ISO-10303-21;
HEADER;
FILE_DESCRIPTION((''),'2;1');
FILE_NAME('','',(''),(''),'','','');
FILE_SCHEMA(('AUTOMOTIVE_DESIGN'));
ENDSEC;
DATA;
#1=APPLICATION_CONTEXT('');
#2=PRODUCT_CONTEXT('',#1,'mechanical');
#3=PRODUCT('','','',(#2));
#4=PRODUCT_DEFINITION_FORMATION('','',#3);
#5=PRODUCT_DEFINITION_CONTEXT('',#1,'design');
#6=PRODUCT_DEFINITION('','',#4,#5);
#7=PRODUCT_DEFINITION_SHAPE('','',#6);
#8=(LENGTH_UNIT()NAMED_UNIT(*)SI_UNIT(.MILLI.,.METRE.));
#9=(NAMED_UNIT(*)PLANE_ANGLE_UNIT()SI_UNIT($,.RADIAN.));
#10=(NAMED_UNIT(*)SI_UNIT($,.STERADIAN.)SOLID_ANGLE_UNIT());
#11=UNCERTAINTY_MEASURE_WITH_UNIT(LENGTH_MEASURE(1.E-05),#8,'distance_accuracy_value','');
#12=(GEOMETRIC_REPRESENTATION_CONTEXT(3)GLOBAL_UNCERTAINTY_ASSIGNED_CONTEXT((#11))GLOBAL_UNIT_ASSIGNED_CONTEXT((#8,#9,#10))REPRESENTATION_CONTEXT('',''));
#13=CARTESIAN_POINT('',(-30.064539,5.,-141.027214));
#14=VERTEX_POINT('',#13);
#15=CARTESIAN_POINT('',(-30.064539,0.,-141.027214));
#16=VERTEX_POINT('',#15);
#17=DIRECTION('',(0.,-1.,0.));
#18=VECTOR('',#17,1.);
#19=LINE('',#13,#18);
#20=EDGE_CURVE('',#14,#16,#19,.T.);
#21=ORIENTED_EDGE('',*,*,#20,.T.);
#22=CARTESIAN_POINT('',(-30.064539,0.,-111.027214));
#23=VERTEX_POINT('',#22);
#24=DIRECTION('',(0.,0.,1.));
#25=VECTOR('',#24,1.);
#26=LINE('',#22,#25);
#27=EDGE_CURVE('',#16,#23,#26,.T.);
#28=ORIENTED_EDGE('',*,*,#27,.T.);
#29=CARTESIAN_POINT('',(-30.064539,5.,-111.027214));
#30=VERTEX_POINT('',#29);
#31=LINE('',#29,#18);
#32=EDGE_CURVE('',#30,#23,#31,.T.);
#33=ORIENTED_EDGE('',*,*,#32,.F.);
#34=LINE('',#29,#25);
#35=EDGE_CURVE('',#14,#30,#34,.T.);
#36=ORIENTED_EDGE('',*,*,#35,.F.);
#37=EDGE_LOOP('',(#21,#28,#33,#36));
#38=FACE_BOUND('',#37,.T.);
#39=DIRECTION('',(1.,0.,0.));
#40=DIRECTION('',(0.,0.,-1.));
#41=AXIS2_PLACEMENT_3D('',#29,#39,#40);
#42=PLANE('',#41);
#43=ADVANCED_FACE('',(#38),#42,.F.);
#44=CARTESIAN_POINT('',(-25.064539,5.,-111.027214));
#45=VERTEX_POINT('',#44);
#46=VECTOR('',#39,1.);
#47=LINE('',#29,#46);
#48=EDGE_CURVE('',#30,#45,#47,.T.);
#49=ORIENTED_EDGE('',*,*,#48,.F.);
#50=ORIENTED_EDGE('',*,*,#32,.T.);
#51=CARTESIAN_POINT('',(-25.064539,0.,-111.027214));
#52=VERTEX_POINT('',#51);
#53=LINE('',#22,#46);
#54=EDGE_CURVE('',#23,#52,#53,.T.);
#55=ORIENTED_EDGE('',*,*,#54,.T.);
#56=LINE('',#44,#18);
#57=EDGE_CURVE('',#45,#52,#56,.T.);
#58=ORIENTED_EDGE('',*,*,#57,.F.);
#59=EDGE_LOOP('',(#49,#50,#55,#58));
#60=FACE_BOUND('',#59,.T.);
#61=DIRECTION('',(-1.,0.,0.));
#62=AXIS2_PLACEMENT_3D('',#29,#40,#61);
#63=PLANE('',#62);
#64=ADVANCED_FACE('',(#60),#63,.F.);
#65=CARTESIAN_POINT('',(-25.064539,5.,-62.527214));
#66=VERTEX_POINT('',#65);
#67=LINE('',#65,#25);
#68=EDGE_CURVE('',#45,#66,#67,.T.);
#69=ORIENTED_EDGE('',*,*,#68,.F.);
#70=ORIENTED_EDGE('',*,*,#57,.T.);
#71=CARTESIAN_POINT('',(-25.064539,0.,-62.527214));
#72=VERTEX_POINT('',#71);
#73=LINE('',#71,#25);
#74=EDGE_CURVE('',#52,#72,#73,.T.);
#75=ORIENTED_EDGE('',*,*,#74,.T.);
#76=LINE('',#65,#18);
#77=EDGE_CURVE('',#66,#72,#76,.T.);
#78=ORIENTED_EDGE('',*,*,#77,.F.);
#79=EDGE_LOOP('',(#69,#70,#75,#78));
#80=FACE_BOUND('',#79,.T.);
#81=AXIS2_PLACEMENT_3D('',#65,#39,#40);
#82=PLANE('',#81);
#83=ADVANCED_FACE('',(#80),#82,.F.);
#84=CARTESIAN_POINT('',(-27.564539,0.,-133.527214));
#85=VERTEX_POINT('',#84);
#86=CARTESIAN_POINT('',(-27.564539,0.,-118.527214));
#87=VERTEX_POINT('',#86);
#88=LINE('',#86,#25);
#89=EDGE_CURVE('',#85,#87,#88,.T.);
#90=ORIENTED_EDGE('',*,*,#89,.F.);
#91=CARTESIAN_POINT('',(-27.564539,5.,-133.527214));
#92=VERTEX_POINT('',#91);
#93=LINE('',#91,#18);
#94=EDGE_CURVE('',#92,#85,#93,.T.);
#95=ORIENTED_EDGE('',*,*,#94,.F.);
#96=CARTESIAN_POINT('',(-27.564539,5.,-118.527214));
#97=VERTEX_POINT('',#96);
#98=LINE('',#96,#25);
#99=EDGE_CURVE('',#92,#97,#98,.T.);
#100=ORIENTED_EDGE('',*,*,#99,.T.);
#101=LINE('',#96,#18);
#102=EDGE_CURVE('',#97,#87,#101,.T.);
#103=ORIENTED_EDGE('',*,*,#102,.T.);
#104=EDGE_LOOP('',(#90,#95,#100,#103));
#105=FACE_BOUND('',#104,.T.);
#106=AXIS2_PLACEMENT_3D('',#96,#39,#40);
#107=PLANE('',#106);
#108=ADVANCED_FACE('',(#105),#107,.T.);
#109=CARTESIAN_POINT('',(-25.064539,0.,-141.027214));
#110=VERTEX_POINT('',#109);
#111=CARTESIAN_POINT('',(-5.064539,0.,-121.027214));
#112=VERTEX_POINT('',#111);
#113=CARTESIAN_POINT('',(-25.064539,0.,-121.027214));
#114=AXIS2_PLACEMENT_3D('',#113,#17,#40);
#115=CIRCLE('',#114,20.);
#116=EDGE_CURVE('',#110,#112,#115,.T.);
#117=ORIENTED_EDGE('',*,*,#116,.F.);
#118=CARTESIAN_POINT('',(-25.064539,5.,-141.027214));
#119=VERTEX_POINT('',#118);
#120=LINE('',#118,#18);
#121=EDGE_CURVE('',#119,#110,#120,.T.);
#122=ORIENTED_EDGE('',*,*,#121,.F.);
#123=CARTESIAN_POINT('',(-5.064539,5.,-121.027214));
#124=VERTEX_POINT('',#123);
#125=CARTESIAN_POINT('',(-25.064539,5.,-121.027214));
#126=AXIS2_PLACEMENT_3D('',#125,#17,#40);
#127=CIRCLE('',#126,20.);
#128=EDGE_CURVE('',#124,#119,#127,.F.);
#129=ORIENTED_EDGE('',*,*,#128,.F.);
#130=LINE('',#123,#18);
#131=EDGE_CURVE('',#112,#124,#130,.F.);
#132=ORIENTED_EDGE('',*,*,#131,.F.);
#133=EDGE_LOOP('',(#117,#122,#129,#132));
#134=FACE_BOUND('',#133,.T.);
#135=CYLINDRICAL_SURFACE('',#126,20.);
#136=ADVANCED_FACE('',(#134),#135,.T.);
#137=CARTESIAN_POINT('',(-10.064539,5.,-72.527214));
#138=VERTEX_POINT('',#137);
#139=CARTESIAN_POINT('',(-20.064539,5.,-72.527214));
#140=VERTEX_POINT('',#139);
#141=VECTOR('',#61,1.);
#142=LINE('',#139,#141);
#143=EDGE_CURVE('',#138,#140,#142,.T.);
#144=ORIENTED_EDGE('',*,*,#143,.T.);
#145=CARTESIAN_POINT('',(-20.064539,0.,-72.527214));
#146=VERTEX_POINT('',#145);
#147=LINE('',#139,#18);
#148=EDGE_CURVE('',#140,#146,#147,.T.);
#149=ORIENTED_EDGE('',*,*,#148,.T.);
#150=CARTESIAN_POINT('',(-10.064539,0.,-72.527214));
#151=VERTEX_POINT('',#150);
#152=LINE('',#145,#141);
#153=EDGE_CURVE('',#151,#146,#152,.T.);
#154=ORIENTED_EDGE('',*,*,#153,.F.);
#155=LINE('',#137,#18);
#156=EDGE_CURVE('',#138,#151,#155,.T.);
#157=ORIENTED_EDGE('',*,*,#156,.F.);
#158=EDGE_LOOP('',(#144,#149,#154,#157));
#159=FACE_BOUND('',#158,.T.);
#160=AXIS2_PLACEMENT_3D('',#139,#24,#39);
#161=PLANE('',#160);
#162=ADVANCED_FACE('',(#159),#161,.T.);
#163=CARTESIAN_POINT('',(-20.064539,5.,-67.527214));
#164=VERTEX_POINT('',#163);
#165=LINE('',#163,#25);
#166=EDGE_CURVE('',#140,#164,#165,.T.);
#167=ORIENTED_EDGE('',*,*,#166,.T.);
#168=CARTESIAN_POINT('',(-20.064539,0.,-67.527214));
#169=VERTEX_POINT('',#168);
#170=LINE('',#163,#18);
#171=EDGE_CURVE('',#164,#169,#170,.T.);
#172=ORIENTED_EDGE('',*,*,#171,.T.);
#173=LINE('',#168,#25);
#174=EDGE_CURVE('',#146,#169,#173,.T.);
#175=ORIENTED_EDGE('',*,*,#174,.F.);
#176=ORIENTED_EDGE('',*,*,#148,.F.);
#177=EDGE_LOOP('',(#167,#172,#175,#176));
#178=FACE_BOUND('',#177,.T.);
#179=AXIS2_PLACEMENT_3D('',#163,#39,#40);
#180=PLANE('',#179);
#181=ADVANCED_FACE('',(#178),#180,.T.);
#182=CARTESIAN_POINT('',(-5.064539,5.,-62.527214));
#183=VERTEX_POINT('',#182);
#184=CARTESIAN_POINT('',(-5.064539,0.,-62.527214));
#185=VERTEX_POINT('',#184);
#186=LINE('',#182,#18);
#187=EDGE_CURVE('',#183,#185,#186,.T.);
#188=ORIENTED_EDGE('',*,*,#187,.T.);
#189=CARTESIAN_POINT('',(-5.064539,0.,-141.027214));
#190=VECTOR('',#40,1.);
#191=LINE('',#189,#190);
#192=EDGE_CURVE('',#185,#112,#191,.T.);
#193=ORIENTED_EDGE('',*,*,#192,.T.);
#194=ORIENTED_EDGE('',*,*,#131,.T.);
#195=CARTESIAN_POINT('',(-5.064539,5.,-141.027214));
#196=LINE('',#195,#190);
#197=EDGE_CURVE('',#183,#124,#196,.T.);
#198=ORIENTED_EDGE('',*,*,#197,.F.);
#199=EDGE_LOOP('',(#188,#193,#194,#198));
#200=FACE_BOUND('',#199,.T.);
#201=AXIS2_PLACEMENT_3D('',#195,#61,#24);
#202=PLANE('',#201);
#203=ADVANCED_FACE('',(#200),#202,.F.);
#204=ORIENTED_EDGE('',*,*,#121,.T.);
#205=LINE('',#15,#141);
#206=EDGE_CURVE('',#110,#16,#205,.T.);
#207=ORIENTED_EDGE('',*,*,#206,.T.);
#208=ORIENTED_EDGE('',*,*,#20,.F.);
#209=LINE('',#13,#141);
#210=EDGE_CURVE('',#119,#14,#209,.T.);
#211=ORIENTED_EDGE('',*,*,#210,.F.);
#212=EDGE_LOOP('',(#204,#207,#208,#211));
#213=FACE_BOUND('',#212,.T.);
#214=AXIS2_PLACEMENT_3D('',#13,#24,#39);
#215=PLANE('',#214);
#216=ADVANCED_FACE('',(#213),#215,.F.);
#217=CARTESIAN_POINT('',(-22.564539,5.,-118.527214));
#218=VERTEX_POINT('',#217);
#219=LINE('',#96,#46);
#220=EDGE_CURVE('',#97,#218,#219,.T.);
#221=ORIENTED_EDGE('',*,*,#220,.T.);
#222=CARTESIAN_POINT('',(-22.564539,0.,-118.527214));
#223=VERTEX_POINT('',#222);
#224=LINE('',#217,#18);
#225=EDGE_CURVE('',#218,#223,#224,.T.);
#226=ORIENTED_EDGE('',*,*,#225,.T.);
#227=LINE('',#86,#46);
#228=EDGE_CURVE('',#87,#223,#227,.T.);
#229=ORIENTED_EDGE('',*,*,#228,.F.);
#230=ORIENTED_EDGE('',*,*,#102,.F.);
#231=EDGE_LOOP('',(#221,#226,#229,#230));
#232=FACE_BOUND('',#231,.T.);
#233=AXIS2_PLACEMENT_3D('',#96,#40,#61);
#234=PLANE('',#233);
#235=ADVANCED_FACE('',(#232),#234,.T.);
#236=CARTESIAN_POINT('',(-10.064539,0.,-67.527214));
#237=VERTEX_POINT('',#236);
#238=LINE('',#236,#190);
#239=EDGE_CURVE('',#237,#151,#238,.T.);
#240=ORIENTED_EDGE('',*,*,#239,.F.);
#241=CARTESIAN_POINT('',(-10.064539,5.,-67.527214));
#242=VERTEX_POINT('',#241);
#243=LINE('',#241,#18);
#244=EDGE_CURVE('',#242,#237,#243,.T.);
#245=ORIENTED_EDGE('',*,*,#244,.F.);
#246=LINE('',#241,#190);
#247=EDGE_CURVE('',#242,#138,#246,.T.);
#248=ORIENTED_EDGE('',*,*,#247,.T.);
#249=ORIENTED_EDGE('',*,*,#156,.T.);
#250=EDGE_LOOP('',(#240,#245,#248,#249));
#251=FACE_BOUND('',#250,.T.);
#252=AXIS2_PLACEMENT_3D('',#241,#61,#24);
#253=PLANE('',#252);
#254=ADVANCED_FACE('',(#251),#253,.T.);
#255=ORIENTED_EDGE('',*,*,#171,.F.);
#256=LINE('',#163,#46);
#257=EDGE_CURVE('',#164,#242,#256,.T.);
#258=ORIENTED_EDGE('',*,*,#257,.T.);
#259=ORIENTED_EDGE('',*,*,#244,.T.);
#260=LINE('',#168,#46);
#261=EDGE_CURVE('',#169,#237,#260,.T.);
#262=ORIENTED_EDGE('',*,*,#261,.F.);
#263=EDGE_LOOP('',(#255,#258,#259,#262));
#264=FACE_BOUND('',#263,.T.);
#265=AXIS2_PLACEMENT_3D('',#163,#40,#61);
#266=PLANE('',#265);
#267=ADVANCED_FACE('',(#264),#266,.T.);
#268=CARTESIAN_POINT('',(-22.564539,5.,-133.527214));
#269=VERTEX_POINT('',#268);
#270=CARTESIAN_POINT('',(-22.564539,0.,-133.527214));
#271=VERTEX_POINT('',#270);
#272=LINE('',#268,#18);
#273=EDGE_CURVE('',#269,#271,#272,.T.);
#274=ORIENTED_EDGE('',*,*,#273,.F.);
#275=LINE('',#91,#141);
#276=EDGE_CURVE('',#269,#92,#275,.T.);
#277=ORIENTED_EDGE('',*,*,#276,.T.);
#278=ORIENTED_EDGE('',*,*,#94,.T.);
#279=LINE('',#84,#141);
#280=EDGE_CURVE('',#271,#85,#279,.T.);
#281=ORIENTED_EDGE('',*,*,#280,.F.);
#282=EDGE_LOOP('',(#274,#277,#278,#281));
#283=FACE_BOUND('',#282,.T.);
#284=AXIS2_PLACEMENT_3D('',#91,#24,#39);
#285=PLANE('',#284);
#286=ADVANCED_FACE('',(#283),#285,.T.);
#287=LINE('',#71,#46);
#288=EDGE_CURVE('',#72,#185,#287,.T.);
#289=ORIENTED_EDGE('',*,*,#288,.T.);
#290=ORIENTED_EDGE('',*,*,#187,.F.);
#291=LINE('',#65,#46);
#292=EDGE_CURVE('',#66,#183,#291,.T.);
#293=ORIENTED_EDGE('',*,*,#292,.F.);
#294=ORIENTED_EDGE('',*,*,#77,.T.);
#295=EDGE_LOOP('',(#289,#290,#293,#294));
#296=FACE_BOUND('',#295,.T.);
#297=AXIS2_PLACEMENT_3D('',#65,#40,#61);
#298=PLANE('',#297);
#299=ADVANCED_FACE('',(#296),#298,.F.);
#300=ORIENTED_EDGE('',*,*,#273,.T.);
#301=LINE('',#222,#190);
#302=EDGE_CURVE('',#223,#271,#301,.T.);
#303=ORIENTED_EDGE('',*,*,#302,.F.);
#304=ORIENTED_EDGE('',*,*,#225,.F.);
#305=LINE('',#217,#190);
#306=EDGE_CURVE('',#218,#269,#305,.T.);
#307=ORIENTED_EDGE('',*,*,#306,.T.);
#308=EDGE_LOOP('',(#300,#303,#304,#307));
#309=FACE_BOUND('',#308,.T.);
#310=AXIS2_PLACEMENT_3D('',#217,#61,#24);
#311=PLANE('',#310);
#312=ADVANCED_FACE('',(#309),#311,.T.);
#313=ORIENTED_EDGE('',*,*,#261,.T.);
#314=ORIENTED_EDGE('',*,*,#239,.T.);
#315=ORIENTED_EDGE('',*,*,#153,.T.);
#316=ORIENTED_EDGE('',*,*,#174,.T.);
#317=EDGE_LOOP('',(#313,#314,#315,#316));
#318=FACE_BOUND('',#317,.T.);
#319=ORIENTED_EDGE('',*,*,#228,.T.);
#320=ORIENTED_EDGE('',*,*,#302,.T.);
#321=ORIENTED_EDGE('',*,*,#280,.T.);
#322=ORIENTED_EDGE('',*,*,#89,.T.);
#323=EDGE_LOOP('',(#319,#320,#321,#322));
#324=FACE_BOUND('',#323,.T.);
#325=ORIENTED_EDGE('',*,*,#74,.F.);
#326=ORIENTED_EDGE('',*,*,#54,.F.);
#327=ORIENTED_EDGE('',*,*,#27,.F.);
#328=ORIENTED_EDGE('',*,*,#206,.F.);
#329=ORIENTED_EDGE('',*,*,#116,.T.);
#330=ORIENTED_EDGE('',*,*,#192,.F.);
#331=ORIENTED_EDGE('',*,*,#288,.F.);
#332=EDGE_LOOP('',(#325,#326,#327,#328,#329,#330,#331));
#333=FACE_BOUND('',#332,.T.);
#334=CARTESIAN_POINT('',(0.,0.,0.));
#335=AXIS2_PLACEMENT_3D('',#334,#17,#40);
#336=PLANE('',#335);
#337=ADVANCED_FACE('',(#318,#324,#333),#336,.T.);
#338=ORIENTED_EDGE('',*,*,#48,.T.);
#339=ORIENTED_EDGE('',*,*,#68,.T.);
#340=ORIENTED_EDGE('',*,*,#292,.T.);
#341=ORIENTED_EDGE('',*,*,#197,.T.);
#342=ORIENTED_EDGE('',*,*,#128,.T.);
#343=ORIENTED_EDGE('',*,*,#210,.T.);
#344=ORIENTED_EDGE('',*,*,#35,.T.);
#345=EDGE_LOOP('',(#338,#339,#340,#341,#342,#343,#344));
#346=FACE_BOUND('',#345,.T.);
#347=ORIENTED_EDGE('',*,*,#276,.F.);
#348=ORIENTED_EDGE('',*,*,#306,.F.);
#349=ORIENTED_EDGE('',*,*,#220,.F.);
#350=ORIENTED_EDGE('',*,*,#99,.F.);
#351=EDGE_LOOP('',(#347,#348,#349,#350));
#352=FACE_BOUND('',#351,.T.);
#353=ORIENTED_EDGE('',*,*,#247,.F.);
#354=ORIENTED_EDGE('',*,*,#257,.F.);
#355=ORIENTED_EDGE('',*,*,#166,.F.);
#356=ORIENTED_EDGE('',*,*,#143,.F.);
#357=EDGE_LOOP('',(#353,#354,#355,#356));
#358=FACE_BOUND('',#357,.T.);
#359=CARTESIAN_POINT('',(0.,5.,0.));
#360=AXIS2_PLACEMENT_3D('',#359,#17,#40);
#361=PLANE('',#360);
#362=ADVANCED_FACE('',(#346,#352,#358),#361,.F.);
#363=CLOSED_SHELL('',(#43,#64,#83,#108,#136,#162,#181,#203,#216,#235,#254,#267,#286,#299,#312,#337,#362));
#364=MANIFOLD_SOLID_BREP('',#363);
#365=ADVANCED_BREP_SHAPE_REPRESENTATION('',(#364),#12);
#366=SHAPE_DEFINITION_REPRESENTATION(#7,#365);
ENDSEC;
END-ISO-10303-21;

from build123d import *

# Parameters (mm, degrees)
SKETCH1_W           = 10
SKETCH1_H           = 5
SKETCH1_W_2         = 5
SKETCH1_H_2         = 15
BOSS_EXTRUDE1_DEPTH = 5
FILLET2_R           = 20


with BuildPart() as part:
    # Sketch1 → Boss-Extrude1 (new body)
    with BuildSketch(Plane(origin=(0, 0, 0), x_dir=(1, 0, 0), z_dir=(0, 1, 0))):
        Polygon((-30.064538889, 111.027213551), (-25.064538889, 111.027213551), (-25.064538889, 62.527213551), (-5.064538889, 62.527213551), (-5.064538889, 141.027213551), (-30.064538889, 141.027213551), align=None)
        with Locations((-15.064538889, 70.027213551)):
            Rectangle(SKETCH1_W, SKETCH1_H, mode=Mode.SUBTRACT)
        with Locations((-25.064538889, 126.027213551)):
            Rectangle(SKETCH1_W_2, SKETCH1_H_2, mode=Mode.SUBTRACT)
    extrude(amount=BOSS_EXTRUDE1_DEPTH)

    # Fillet2
    fillet2_edges = [part.edges().sort_by_distance(p)[0] for p in [
        (-5.064538889, 2.5, -141.027213551),
    ]]
    fillet(fillet2_edges, radius=FILLET2_R)


solid = part.part
